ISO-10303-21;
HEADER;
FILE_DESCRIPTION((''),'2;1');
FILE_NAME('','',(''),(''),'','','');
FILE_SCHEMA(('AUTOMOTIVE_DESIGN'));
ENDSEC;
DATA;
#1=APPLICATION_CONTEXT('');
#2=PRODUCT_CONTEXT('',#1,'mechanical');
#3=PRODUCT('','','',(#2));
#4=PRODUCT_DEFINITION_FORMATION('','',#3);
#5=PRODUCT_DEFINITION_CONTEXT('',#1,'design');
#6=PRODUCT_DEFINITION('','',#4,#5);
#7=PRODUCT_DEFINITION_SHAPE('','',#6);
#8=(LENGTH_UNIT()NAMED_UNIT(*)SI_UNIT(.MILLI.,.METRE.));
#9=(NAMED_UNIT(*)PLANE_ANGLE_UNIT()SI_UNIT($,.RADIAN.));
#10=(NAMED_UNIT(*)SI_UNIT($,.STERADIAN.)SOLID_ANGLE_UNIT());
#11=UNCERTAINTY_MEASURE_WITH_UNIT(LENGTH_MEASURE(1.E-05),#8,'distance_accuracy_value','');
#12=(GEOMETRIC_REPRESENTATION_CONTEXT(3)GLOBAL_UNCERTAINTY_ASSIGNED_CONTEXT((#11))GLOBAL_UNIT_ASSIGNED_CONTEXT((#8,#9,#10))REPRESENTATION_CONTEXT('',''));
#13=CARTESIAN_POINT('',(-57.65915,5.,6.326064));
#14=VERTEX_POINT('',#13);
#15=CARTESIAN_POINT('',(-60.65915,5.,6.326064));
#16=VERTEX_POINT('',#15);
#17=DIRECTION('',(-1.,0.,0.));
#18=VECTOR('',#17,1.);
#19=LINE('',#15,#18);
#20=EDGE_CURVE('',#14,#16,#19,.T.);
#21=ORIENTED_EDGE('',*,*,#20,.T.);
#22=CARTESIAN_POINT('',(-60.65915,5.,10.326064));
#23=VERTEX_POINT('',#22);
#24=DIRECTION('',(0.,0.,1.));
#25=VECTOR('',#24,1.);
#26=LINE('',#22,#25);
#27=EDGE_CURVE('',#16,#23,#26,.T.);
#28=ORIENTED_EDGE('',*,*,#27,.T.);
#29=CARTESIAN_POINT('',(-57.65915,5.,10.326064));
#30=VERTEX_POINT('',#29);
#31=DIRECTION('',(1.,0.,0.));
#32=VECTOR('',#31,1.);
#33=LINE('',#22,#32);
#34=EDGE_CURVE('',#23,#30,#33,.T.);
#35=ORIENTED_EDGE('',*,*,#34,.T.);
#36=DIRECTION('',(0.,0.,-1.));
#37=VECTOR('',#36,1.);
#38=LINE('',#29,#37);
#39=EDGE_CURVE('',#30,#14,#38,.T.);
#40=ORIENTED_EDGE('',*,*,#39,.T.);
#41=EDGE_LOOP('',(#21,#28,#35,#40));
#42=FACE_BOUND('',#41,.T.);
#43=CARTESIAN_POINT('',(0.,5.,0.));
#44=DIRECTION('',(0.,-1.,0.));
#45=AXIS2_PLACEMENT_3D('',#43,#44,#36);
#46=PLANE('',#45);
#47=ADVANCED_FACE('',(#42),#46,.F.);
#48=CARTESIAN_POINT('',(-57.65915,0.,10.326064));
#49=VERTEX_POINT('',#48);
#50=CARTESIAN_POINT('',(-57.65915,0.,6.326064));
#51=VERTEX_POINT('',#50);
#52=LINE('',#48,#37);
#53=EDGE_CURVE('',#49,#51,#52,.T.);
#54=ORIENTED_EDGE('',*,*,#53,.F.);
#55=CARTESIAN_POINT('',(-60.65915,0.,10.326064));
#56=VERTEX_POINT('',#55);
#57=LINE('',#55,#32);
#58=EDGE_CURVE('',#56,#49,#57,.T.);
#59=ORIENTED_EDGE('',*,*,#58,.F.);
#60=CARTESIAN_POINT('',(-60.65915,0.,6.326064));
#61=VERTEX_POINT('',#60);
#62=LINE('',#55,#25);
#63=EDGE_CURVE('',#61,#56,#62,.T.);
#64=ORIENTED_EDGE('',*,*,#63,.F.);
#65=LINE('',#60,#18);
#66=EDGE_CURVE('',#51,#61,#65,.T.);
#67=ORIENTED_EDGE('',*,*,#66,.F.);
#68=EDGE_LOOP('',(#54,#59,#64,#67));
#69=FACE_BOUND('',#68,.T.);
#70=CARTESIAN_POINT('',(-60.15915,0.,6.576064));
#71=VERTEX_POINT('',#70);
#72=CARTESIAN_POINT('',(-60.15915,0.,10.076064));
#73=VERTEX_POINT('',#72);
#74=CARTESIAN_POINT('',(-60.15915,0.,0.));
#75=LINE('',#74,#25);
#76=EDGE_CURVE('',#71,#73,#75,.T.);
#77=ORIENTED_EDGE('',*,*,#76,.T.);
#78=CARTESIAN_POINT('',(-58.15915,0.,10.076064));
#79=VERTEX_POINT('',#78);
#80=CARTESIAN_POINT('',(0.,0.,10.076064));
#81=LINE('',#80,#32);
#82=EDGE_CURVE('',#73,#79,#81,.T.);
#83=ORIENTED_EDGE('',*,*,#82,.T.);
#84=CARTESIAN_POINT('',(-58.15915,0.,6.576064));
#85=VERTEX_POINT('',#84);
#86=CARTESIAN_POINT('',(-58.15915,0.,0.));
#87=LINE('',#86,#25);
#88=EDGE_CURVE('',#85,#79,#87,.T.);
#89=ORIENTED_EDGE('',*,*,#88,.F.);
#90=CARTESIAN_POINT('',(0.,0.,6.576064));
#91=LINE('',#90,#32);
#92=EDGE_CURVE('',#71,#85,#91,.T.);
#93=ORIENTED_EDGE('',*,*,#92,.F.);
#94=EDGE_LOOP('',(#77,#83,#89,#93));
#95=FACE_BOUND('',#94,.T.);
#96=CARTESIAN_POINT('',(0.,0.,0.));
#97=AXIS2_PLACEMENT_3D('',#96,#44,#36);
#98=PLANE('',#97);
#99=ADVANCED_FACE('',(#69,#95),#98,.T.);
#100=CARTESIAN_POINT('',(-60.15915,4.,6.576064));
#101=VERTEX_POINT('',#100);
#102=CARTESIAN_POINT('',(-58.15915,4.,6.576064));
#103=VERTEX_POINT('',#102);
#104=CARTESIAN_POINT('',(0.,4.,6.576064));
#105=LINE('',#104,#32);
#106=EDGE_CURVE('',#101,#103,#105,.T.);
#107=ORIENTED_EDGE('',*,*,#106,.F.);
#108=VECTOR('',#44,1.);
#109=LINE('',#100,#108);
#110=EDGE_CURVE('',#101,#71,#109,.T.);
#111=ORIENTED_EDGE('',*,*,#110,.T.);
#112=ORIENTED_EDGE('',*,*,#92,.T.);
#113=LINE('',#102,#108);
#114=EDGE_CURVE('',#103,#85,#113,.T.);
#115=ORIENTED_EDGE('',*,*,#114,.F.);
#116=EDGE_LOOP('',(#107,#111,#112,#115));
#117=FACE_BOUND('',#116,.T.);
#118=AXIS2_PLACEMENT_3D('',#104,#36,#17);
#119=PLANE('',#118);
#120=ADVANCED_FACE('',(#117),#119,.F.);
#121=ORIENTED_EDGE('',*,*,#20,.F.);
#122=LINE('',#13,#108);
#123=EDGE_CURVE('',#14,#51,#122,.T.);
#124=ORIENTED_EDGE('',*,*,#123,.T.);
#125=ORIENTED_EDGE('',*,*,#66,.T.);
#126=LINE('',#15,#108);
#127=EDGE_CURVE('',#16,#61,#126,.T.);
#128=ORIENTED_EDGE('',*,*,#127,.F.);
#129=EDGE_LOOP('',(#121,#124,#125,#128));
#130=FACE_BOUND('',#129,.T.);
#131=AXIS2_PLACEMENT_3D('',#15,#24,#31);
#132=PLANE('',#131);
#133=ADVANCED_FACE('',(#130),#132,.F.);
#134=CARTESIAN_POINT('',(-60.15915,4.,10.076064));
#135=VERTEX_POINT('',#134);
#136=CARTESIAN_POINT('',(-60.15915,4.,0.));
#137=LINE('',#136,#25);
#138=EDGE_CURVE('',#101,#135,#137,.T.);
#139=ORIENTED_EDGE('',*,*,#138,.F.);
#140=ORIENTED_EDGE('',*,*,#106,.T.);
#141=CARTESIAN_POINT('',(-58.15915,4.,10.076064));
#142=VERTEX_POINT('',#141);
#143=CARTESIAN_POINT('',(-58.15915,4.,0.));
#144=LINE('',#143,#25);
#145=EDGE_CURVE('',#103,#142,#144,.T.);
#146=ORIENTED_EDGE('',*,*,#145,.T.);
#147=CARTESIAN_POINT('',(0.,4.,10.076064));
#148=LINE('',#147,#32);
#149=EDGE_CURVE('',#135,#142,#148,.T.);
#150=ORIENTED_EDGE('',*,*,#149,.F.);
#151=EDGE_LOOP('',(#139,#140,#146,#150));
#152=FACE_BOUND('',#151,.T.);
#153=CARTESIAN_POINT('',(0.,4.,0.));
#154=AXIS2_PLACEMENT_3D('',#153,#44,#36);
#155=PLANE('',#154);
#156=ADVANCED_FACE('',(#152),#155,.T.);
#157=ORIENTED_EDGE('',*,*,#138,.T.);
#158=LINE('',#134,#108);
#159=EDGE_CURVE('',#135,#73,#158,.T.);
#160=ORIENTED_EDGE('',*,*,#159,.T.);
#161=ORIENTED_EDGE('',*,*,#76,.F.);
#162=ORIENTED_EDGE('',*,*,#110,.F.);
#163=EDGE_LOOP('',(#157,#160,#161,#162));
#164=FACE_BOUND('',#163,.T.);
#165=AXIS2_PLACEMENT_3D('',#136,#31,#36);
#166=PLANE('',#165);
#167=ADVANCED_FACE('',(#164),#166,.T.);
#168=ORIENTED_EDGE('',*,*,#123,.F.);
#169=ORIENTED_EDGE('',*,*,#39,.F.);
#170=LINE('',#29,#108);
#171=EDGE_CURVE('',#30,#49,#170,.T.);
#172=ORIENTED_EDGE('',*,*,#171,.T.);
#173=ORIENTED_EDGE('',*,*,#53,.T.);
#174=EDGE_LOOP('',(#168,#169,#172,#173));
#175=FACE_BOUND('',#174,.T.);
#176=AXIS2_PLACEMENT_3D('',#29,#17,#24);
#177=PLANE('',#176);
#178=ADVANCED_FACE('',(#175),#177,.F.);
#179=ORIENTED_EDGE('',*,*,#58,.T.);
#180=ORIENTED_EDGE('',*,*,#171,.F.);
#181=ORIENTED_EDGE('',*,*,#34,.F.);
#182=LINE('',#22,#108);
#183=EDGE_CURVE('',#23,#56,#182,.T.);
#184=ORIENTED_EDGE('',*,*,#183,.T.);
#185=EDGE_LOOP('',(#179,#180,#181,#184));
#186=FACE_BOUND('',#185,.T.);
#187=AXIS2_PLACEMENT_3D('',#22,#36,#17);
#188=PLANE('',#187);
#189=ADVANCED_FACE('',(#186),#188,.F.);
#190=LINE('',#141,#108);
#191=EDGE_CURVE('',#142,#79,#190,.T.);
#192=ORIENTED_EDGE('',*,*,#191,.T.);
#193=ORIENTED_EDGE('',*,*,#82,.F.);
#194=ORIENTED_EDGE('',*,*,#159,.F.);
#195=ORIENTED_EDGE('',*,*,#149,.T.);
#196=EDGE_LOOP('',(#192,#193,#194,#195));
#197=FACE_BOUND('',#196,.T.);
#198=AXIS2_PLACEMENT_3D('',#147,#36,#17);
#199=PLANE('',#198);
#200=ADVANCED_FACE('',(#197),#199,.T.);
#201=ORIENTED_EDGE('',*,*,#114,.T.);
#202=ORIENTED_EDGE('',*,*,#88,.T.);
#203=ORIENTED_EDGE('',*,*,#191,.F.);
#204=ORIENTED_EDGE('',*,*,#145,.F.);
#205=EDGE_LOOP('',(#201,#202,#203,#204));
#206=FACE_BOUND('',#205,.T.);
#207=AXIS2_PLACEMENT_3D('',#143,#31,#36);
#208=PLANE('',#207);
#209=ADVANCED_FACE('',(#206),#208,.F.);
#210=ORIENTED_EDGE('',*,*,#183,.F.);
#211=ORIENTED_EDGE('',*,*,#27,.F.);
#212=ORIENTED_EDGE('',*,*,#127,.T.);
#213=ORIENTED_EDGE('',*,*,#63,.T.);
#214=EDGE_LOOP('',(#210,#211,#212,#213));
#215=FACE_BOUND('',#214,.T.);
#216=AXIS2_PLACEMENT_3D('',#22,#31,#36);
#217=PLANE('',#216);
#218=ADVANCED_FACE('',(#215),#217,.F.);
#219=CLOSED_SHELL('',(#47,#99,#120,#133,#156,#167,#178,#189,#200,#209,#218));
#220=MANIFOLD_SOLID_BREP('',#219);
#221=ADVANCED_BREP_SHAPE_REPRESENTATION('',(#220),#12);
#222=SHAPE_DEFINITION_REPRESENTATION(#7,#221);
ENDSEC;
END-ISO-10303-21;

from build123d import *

# Parameters (mm, degrees)
SKETCH_1_W          = 3
SKETCH_1_H          = 4
EXTRUDE_1_DEPTH     = 5
SKETCH_2_W          = 1
SKETCH_2_H          = 1.75
CUT_EXTRUDE_1_DEPTH = 4


with BuildPart() as part:
    # 草图1 → 凸台-拉伸1 (new body)
    with BuildSketch(Plane(origin=(0, 0, 0), x_dir=(1, 0, 0), z_dir=(0, 1, 0))):
        with Locations((-59.159150363, -8.326063526)):
            Rectangle(SKETCH_1_W, SKETCH_1_H)
    extrude(amount=EXTRUDE_1_DEPTH)

    # 草图2 → 切除-拉伸1 (cut)
    with BuildSketch(Plane.XZ):
        with Locations((-58.659150363, 9.201063526)):
            Rectangle(SKETCH_2_W, SKETCH_2_H)
        with Locations((-58.659150363, 7.451063526)):
            Rectangle(SKETCH_2_W, SKETCH_2_H)
        with Locations((-59.659150363, 7.451063526)):
            Rectangle(SKETCH_2_W, SKETCH_2_H)
        with Locations((-59.659150363, 9.201063526)):
            Rectangle(SKETCH_2_W, SKETCH_2_H)
    extrude(amount=-CUT_EXTRUDE_1_DEPTH, mode=Mode.SUBTRACT)


solid = part.part
